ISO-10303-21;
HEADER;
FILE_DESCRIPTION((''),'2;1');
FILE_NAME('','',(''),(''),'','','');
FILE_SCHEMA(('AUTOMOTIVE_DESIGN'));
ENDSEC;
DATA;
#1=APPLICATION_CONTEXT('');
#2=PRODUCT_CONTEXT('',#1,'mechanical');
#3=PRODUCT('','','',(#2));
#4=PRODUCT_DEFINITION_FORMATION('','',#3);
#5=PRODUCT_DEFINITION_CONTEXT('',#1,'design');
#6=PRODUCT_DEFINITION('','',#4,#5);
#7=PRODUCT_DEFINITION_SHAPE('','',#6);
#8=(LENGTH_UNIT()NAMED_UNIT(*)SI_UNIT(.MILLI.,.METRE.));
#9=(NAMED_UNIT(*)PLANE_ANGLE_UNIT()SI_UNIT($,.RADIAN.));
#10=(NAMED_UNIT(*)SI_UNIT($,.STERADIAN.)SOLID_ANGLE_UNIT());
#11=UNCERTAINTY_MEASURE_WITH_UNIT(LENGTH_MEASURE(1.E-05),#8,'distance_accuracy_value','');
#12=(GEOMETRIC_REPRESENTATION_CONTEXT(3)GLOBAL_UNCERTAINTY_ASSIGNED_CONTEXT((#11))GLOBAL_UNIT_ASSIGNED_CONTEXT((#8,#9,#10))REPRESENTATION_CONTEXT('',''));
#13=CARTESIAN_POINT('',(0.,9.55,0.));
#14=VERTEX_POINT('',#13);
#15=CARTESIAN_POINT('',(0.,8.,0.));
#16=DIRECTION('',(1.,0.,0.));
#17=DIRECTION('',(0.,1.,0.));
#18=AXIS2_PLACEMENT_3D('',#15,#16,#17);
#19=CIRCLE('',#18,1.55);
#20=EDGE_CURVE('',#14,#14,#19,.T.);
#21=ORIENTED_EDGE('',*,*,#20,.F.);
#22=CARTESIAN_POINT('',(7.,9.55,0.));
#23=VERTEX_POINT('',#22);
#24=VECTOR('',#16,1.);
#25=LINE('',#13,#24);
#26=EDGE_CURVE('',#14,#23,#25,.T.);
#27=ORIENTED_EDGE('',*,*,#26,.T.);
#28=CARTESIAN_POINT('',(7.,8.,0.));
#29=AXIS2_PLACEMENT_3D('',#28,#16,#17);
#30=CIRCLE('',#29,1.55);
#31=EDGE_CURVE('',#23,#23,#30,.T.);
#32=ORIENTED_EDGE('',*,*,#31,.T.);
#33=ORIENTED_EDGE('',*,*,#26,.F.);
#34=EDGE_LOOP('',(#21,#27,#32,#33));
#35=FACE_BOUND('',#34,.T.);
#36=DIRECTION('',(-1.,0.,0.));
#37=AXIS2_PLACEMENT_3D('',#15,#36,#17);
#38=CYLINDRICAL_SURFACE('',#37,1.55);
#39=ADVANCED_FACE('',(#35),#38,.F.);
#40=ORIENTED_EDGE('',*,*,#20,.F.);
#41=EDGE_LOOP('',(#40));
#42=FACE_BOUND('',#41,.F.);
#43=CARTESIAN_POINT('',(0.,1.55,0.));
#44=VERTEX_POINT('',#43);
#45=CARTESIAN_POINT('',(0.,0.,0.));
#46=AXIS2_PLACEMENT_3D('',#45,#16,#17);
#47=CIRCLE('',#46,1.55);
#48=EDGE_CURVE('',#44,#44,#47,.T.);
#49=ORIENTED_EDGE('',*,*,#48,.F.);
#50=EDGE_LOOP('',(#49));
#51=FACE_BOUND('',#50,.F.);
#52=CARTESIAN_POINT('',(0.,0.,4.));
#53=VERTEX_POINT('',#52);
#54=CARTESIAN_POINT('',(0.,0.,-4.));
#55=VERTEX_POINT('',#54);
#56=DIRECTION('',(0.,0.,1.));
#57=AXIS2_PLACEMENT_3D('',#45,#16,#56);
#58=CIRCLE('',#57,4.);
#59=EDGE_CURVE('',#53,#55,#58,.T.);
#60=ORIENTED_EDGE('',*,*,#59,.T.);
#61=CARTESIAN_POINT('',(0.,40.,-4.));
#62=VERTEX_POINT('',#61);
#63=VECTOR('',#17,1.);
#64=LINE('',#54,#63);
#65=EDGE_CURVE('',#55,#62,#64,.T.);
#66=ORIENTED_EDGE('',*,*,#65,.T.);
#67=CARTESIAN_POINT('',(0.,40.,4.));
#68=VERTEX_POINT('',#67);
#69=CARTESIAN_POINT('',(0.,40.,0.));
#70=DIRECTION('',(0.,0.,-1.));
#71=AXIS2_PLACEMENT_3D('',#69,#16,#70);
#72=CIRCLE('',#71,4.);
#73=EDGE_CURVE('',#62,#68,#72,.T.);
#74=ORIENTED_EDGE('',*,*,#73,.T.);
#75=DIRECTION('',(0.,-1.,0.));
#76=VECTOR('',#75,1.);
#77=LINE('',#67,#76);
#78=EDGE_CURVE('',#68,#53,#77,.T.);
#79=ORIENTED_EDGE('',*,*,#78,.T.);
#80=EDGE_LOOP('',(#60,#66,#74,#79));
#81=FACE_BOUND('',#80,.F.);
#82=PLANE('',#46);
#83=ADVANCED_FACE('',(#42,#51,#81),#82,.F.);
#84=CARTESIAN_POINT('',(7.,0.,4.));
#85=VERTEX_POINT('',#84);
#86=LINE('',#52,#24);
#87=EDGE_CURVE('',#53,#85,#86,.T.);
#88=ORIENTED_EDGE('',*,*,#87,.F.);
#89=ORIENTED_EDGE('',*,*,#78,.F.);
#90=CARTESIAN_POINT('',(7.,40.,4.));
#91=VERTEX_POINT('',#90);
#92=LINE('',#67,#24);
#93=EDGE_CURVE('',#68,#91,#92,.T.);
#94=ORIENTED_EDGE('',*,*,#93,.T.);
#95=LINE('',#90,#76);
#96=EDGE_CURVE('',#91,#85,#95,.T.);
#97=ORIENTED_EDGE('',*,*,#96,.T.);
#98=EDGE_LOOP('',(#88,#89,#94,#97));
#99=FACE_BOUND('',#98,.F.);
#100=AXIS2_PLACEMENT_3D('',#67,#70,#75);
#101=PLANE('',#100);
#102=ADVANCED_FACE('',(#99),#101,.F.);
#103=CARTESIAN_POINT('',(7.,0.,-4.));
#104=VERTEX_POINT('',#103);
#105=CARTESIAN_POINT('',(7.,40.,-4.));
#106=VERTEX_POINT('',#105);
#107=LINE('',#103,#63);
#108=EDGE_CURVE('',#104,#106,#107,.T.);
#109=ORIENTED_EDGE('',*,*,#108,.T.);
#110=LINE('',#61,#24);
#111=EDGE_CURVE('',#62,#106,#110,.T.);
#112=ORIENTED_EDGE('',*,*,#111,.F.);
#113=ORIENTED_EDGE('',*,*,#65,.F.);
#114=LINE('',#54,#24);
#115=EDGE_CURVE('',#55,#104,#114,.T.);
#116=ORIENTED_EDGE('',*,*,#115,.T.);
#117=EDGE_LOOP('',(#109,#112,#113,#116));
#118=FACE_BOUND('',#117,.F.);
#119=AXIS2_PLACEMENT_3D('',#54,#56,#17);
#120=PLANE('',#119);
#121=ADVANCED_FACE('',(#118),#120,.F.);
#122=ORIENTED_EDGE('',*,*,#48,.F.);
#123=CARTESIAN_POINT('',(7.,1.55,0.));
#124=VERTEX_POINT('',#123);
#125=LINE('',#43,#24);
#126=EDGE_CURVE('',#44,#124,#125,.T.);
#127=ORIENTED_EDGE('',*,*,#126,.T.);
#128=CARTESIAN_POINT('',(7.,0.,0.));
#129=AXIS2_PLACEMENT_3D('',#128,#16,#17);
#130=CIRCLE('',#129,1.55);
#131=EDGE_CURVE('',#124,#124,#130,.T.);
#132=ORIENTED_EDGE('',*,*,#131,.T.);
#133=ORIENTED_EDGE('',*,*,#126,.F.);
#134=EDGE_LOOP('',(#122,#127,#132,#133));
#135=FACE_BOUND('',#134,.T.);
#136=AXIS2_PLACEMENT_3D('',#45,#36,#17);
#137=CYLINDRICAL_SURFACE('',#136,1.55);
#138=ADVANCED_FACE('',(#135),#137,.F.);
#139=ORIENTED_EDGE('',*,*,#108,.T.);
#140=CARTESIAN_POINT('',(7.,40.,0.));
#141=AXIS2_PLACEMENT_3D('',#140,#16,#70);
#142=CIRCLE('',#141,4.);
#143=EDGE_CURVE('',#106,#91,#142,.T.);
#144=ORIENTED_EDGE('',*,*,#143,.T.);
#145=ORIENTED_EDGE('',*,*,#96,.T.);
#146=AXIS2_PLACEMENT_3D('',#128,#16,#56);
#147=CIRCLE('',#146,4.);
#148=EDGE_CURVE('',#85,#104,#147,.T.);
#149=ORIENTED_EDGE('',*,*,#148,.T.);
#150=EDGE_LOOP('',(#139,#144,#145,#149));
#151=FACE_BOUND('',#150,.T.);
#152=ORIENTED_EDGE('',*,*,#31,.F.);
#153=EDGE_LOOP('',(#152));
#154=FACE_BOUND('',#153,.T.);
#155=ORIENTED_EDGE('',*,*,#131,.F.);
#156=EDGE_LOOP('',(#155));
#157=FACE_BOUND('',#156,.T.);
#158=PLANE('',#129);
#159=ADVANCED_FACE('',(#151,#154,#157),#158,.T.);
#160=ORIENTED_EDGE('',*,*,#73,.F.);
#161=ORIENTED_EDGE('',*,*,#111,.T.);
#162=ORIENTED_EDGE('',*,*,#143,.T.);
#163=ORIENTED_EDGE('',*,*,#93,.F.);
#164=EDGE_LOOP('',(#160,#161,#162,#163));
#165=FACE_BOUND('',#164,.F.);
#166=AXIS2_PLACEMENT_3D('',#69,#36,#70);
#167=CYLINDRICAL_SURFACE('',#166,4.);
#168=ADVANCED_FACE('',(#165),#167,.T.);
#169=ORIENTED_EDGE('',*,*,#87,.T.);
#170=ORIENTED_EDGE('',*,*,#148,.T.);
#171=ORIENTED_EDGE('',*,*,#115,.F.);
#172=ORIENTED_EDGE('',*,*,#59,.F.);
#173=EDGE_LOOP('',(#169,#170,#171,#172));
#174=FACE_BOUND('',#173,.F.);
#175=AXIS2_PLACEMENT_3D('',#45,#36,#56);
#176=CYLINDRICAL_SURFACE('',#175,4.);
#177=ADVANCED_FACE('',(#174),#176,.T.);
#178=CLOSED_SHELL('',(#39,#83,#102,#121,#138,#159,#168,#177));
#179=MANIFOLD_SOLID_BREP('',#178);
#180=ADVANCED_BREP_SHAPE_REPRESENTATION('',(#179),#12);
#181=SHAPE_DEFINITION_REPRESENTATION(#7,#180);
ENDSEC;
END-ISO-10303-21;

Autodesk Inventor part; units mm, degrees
ref_plane "YZ Plane" through (0, 0, 0) normal (1, 0, 0) x (0, 1, 0)
ref_plane "XZ Plane" through (0, 0, 0) normal (0, 1, 0) x (-1, 0, 0)
ref_plane "XY Plane" through (0, 0, 0) normal (0, 0, 1) x (1, 0, 0)
sketch "Sketch1" plane through (0, 0, 0) normal (1, 0, 0) x (0, 1, 0)
  line L0 (0, 0) -> (40, 0) construction
  line L1 (0, -4) -> (40, -4)
  line L2 (40, 4) -> (0, 4)
  arc A0 (0, 4) -> (0, -4) centre (0, 0) ccw
  arc A1 (40, -4) -> (40, 4) centre (40, 0) ccw
  circle A2 centre (0, 0) radius 1.55
  circle A3 centre (8, 0) radius 1.55
  point P0 (20, 0)
  dimension "d0" = 40
  dimension "d1" = 8
  dimension "d2" = 3.1
  dimension "d3" = 3.1
  dimension "d4" = 8
extrude "Extrusion1" add sketch "Sketch1" along normal blind 7
properties part number "ServoArm" material "PC/ABS Plastic"
